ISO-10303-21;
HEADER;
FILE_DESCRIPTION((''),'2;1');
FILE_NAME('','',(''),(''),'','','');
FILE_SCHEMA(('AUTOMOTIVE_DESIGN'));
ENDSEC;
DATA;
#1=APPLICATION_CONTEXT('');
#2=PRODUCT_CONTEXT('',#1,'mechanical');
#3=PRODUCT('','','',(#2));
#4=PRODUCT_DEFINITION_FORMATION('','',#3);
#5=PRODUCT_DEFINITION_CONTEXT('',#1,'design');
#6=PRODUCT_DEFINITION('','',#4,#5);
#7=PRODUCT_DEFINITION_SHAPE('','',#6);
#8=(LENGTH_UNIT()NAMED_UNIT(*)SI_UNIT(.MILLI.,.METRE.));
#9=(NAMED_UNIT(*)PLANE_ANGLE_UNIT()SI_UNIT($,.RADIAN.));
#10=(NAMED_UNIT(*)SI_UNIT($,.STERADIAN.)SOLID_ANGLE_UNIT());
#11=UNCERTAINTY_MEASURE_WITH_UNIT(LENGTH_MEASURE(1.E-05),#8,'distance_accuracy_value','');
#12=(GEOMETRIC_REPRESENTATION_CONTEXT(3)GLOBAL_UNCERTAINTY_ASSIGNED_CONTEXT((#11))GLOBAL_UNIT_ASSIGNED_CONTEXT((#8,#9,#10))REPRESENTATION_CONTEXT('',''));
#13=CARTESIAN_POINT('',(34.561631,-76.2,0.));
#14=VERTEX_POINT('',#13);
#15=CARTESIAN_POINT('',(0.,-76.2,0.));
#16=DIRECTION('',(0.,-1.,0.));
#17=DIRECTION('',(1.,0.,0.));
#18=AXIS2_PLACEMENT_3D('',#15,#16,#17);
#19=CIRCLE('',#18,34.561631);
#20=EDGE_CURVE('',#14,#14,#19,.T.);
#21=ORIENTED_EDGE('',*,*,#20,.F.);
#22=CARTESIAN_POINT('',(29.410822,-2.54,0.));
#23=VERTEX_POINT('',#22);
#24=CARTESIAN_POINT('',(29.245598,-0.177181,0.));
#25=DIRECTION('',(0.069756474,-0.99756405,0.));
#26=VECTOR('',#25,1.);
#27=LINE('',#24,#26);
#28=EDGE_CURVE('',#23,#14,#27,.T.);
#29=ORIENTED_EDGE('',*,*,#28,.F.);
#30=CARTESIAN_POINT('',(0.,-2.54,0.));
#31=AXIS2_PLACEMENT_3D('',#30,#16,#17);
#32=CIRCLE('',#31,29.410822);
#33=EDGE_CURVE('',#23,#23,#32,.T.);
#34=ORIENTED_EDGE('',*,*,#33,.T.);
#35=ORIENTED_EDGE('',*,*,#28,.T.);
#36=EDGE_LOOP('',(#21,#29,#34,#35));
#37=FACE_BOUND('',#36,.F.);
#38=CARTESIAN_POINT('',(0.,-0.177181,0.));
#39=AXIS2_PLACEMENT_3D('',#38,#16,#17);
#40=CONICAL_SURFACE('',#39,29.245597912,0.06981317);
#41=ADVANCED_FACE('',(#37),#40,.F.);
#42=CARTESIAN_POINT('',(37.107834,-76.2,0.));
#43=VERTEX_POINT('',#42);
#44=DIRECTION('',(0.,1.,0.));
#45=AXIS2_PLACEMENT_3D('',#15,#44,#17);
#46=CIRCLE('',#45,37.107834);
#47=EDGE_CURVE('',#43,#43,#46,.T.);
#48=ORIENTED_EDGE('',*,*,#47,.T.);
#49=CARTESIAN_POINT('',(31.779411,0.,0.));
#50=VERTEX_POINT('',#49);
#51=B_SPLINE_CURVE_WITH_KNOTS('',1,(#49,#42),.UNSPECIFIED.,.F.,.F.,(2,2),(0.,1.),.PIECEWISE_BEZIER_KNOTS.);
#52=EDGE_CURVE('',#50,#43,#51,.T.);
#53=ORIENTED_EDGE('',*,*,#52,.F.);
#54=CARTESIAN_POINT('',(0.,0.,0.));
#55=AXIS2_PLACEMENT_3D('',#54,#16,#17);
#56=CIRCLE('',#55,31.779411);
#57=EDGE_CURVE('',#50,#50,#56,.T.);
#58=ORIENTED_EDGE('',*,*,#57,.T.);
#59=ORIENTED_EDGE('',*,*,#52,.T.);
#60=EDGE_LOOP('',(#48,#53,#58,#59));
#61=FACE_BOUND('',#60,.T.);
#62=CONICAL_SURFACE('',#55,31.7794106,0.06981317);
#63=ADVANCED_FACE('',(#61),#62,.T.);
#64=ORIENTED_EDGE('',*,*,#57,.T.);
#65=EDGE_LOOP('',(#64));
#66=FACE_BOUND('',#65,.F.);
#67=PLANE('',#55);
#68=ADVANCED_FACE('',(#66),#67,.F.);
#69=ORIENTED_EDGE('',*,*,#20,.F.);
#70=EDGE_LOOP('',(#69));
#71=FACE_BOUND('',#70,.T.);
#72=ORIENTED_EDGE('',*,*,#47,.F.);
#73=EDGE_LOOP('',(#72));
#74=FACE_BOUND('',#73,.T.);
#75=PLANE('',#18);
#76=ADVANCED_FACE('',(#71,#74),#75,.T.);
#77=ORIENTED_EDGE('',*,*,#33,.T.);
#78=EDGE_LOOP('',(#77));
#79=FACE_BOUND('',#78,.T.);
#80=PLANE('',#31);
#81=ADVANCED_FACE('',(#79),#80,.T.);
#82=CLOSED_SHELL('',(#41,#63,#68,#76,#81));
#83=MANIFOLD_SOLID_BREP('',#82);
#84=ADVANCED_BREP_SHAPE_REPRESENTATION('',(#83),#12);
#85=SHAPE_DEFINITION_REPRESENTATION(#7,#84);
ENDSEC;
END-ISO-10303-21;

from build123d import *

# Parameters (mm, degrees)
F0_R     = 31.7794105997
F2_DEPTH = 76.2
F2_TAPER = -4
F3_T     = -2.54


with BuildPart() as f2:
    # F0 (on Front) → F2 (new body)
    with BuildSketch(Plane.XZ):
        Circle(F0_R)
    extrude(amount=F2_DEPTH, taper=F2_TAPER)

    # F3
    f3_openings = [f2.faces().sort_by_distance(p)[0] for p in [
        (0, -76.2, 0),
    ]]
    offset(amount=F3_T, openings=f3_openings, kind=Kind.INTERSECTION)


solid = f2.part
